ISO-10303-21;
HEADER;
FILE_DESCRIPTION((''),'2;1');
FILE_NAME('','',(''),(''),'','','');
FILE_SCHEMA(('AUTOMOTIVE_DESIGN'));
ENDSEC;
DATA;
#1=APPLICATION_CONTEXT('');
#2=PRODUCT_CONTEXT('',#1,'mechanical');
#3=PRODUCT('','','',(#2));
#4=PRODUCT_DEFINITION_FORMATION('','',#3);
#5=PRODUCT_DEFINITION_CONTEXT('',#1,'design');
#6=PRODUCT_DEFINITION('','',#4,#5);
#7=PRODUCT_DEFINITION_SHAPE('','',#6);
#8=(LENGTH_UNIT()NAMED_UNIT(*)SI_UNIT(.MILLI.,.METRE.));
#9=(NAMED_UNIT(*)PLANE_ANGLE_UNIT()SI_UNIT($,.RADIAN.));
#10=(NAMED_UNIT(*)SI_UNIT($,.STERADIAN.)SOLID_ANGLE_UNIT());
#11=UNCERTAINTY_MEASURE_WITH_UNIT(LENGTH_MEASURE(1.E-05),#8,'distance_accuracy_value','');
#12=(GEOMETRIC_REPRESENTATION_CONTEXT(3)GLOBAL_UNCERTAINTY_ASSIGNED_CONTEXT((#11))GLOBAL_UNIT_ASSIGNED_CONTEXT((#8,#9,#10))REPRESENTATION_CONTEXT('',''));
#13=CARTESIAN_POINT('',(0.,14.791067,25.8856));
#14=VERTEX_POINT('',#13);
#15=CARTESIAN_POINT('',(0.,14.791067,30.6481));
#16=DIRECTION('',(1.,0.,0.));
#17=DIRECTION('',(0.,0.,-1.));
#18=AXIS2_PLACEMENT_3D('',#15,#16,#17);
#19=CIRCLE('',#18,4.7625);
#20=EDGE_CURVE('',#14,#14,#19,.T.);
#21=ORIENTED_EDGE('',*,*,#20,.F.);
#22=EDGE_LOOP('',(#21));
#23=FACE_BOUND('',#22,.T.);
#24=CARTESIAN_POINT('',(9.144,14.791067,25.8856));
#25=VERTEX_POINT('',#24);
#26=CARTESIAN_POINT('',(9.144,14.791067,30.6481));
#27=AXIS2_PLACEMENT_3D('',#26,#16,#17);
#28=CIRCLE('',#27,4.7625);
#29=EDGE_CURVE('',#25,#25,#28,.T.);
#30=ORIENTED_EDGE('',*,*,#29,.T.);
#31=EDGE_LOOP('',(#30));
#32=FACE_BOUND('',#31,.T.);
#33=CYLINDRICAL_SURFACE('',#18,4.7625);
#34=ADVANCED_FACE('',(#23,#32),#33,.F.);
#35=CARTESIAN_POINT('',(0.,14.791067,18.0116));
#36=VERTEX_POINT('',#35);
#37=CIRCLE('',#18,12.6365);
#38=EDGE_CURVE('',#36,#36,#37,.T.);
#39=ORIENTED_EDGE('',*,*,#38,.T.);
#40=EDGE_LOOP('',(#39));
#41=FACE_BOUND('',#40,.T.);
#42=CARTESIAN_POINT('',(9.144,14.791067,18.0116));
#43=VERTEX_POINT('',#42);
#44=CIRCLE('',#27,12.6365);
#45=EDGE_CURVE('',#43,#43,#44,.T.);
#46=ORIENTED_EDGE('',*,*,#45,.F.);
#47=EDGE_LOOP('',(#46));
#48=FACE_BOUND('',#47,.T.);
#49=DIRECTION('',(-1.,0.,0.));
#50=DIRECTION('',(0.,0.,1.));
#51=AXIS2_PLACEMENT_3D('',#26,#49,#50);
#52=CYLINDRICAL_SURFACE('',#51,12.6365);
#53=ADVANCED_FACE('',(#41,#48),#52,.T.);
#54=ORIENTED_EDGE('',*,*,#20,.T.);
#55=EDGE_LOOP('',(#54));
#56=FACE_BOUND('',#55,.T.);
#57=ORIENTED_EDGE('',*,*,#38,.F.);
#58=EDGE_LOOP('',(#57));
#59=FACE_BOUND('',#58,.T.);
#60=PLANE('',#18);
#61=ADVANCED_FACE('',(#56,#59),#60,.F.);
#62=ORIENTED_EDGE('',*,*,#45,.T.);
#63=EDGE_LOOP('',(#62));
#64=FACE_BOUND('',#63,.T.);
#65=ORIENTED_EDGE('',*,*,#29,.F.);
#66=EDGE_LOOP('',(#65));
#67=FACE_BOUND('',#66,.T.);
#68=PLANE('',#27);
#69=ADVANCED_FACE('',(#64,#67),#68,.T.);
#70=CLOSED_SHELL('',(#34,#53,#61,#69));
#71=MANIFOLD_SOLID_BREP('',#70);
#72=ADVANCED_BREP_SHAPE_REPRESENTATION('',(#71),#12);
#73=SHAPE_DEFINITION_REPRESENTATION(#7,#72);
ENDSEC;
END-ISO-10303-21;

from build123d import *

# Parameters (mm, degrees)
SKETCH1_R           = 12.6365
BOSS_EXTRUDE1_DEPTH = 9.144
SKETCH2_R           = 4.7625
CUT_EXTRUDE1_DEPTH  = 9.144


with BuildPart() as part:
    # Sketch1 → Boss-Extrude1 (new body)
    with BuildSketch(Plane(origin=(0, 0, 0), x_dir=(0, 0, -1), z_dir=(1, 0, 0))):
        with Locations((-30.648100176, 14.79106722)):
            Circle(SKETCH1_R)
    extrude(amount=BOSS_EXTRUDE1_DEPTH)

    # Sketch2 → Cut-Extrude1 (cut)
    with BuildSketch(Plane(origin=(9.144, 0, 0), x_dir=(0, 0, -1), z_dir=(1, 0, 0))):
        with Locations((-30.648100176, 14.79106722)):
            Circle(SKETCH2_R)
    extrude(amount=-CUT_EXTRUDE1_DEPTH, mode=Mode.SUBTRACT)


solid = part.part
